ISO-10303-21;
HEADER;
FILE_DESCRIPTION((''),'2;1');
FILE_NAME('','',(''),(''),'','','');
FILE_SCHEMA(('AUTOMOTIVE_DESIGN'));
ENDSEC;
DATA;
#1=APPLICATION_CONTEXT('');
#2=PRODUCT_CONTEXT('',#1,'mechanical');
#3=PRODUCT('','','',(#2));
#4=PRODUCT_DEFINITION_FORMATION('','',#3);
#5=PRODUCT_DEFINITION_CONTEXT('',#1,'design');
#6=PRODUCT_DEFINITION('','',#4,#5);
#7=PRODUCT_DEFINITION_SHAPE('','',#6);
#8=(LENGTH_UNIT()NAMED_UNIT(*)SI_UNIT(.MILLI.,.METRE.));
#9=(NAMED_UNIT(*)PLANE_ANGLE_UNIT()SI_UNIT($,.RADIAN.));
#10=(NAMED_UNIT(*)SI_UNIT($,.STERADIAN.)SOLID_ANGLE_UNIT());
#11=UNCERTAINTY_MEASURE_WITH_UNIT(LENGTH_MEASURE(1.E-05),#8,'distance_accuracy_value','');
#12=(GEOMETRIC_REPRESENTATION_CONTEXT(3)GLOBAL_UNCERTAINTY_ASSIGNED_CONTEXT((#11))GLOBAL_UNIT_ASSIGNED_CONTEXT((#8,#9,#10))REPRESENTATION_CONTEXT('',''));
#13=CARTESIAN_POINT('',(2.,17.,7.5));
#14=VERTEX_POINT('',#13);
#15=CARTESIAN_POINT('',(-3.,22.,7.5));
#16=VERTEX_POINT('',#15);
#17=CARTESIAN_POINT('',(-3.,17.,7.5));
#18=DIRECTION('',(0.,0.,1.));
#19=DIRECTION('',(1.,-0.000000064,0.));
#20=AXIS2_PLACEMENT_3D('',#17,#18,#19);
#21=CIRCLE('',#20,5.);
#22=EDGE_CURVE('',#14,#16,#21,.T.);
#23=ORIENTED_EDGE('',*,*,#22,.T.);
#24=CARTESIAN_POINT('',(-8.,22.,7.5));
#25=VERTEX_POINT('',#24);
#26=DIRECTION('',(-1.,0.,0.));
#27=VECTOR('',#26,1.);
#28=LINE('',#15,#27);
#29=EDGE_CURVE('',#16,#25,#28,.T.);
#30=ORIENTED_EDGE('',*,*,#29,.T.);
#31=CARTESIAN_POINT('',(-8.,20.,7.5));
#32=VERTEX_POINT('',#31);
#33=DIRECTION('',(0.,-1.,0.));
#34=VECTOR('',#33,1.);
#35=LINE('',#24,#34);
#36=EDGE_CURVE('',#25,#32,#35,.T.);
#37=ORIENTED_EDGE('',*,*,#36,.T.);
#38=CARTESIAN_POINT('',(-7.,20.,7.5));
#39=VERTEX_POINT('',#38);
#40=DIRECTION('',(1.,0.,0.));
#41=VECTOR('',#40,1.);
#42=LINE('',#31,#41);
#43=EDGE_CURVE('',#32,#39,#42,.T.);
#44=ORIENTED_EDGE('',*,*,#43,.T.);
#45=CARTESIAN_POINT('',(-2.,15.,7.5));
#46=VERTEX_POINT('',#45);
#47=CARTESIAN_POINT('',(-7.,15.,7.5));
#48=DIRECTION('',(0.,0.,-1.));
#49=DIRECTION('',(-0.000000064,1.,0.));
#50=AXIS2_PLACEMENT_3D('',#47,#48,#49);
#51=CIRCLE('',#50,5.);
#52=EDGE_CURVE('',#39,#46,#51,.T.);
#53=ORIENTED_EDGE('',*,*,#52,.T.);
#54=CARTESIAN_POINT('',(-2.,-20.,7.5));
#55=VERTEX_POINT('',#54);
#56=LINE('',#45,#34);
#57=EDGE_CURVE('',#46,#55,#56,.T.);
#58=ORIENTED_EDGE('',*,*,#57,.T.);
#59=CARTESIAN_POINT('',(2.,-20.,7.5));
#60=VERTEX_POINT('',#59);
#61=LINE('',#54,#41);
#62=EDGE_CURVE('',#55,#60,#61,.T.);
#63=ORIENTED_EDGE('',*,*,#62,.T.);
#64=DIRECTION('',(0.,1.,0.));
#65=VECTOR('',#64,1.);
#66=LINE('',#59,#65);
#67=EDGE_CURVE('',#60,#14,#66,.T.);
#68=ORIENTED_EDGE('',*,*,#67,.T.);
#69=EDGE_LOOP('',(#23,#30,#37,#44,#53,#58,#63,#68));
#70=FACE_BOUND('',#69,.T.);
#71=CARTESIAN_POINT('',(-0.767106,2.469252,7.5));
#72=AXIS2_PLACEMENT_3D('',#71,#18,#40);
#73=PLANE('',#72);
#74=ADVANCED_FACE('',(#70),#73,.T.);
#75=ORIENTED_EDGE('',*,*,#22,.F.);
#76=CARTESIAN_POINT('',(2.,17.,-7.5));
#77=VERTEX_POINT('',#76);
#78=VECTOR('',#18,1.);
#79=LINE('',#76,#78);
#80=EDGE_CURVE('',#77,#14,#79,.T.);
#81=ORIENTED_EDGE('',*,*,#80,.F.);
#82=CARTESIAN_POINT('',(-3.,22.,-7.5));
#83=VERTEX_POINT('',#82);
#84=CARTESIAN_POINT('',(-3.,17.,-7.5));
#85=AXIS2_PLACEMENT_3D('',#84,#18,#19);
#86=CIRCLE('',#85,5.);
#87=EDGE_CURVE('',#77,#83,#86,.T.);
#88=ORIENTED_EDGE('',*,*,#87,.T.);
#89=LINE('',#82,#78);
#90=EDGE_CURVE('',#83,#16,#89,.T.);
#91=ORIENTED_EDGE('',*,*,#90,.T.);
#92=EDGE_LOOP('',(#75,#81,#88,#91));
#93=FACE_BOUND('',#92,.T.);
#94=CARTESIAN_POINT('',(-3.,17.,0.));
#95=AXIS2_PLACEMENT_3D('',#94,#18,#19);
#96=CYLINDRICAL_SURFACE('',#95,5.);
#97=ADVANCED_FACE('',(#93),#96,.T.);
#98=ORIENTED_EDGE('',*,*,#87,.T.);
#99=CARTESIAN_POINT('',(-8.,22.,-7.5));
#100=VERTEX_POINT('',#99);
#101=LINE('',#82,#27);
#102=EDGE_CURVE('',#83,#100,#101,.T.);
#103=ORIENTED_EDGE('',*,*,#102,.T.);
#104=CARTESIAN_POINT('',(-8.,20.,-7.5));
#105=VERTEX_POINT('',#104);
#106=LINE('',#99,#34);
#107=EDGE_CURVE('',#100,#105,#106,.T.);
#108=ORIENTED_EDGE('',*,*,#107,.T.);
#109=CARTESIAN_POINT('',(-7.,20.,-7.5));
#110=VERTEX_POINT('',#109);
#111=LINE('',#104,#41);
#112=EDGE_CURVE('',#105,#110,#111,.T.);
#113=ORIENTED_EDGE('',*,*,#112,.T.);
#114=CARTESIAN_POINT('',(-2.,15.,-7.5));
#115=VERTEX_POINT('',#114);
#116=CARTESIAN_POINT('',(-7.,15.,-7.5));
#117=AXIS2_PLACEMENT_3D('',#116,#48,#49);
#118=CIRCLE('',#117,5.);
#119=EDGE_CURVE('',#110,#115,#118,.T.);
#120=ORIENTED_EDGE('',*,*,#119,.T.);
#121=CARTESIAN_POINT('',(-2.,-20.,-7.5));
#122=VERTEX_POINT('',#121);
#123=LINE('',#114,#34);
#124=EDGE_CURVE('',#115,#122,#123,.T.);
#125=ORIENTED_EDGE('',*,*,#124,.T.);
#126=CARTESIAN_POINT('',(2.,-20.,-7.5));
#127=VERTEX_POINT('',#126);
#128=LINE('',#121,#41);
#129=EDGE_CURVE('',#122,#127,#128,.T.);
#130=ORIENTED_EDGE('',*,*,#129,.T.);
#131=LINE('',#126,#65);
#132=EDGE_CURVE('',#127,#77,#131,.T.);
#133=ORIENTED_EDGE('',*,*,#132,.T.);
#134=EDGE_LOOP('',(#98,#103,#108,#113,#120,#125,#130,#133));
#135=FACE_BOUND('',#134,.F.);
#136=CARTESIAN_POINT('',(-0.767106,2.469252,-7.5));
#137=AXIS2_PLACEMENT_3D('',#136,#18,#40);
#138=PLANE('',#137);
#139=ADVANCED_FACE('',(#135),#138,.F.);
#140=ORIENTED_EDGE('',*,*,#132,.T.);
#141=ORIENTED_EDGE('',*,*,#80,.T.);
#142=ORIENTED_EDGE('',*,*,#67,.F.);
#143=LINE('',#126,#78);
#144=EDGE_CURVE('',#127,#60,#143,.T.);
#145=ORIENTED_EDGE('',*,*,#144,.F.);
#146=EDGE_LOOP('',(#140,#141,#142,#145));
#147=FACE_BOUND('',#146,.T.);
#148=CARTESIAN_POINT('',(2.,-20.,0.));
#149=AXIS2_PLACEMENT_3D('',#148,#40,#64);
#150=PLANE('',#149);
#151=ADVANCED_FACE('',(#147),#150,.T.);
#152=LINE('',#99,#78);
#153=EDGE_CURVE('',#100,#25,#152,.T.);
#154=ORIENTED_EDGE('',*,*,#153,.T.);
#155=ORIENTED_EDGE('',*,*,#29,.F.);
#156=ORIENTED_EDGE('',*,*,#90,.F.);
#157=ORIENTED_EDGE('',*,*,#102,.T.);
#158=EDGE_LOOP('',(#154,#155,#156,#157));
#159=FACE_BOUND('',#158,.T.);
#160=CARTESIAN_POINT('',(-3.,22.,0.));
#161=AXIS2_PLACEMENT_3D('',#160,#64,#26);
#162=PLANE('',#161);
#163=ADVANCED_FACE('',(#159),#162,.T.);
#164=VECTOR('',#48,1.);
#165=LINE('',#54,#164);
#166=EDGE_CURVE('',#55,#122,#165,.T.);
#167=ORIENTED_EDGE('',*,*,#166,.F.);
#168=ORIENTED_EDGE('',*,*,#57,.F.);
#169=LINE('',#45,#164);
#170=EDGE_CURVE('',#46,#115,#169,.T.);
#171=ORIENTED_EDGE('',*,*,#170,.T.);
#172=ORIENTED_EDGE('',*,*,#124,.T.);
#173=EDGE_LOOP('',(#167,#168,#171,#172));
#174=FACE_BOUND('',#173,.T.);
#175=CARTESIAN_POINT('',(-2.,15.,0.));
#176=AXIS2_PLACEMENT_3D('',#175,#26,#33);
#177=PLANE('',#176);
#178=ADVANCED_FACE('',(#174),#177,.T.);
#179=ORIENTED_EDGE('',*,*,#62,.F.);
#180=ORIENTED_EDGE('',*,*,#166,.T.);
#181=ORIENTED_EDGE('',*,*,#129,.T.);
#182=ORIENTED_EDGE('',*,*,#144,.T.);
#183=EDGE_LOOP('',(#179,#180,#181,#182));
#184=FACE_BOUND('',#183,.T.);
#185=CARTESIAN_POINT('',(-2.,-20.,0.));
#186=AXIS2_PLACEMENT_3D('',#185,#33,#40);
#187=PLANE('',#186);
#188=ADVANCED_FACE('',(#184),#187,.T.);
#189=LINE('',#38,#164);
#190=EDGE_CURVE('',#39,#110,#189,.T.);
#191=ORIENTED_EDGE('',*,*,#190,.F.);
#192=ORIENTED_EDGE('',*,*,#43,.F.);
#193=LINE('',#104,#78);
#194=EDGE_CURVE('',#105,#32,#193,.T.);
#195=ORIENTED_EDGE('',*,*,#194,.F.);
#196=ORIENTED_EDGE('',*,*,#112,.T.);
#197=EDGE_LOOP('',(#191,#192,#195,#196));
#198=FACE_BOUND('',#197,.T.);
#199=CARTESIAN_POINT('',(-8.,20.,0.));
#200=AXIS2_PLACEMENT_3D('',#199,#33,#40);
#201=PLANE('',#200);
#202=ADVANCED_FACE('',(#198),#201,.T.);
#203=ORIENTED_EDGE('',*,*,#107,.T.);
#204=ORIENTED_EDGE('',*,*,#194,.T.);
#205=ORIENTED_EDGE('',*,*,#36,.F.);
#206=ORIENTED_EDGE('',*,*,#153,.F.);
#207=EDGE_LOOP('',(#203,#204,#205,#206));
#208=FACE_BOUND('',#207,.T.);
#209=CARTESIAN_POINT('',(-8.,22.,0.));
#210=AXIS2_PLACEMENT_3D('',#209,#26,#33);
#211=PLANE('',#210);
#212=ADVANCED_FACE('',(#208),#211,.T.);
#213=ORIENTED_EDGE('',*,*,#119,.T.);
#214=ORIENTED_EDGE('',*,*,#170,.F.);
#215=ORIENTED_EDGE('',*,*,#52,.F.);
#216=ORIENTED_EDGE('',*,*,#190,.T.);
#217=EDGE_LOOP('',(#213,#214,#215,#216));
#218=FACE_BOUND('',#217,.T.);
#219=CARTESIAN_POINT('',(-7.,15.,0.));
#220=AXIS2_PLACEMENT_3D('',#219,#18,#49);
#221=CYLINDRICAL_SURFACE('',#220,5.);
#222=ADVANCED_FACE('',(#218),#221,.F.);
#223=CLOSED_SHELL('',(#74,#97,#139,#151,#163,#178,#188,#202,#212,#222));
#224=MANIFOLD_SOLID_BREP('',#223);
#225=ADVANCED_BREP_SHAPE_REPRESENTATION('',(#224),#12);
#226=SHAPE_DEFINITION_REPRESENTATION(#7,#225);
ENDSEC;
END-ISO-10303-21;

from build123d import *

# Parameters (mm, degrees)
F1_DEPTH = 7.5


with BuildPart() as f1:
    # F0 (on Top) → F1 (new body, symmetric)
    with BuildSketch(Plane.XY):
        with BuildLine():
            Line((-2, -20), (2, -20))
            Line((2, -20), (2, 17))
            ThreePointArc((2, 17), (0.535534, 20.535534), (-3, 22))
            Line((-3, 22), (-8, 22))
            Line((-8, 22), (-8, 20))
            Line((-8, 20), (-7, 20))
            ThreePointArc((-7, 20), (-3.464466, 18.535534), (-2, 15))
            Line((-2, 15), (-2, -20))
        make_face()
    extrude(amount=F1_DEPTH, both=True)


solid = f1.part
